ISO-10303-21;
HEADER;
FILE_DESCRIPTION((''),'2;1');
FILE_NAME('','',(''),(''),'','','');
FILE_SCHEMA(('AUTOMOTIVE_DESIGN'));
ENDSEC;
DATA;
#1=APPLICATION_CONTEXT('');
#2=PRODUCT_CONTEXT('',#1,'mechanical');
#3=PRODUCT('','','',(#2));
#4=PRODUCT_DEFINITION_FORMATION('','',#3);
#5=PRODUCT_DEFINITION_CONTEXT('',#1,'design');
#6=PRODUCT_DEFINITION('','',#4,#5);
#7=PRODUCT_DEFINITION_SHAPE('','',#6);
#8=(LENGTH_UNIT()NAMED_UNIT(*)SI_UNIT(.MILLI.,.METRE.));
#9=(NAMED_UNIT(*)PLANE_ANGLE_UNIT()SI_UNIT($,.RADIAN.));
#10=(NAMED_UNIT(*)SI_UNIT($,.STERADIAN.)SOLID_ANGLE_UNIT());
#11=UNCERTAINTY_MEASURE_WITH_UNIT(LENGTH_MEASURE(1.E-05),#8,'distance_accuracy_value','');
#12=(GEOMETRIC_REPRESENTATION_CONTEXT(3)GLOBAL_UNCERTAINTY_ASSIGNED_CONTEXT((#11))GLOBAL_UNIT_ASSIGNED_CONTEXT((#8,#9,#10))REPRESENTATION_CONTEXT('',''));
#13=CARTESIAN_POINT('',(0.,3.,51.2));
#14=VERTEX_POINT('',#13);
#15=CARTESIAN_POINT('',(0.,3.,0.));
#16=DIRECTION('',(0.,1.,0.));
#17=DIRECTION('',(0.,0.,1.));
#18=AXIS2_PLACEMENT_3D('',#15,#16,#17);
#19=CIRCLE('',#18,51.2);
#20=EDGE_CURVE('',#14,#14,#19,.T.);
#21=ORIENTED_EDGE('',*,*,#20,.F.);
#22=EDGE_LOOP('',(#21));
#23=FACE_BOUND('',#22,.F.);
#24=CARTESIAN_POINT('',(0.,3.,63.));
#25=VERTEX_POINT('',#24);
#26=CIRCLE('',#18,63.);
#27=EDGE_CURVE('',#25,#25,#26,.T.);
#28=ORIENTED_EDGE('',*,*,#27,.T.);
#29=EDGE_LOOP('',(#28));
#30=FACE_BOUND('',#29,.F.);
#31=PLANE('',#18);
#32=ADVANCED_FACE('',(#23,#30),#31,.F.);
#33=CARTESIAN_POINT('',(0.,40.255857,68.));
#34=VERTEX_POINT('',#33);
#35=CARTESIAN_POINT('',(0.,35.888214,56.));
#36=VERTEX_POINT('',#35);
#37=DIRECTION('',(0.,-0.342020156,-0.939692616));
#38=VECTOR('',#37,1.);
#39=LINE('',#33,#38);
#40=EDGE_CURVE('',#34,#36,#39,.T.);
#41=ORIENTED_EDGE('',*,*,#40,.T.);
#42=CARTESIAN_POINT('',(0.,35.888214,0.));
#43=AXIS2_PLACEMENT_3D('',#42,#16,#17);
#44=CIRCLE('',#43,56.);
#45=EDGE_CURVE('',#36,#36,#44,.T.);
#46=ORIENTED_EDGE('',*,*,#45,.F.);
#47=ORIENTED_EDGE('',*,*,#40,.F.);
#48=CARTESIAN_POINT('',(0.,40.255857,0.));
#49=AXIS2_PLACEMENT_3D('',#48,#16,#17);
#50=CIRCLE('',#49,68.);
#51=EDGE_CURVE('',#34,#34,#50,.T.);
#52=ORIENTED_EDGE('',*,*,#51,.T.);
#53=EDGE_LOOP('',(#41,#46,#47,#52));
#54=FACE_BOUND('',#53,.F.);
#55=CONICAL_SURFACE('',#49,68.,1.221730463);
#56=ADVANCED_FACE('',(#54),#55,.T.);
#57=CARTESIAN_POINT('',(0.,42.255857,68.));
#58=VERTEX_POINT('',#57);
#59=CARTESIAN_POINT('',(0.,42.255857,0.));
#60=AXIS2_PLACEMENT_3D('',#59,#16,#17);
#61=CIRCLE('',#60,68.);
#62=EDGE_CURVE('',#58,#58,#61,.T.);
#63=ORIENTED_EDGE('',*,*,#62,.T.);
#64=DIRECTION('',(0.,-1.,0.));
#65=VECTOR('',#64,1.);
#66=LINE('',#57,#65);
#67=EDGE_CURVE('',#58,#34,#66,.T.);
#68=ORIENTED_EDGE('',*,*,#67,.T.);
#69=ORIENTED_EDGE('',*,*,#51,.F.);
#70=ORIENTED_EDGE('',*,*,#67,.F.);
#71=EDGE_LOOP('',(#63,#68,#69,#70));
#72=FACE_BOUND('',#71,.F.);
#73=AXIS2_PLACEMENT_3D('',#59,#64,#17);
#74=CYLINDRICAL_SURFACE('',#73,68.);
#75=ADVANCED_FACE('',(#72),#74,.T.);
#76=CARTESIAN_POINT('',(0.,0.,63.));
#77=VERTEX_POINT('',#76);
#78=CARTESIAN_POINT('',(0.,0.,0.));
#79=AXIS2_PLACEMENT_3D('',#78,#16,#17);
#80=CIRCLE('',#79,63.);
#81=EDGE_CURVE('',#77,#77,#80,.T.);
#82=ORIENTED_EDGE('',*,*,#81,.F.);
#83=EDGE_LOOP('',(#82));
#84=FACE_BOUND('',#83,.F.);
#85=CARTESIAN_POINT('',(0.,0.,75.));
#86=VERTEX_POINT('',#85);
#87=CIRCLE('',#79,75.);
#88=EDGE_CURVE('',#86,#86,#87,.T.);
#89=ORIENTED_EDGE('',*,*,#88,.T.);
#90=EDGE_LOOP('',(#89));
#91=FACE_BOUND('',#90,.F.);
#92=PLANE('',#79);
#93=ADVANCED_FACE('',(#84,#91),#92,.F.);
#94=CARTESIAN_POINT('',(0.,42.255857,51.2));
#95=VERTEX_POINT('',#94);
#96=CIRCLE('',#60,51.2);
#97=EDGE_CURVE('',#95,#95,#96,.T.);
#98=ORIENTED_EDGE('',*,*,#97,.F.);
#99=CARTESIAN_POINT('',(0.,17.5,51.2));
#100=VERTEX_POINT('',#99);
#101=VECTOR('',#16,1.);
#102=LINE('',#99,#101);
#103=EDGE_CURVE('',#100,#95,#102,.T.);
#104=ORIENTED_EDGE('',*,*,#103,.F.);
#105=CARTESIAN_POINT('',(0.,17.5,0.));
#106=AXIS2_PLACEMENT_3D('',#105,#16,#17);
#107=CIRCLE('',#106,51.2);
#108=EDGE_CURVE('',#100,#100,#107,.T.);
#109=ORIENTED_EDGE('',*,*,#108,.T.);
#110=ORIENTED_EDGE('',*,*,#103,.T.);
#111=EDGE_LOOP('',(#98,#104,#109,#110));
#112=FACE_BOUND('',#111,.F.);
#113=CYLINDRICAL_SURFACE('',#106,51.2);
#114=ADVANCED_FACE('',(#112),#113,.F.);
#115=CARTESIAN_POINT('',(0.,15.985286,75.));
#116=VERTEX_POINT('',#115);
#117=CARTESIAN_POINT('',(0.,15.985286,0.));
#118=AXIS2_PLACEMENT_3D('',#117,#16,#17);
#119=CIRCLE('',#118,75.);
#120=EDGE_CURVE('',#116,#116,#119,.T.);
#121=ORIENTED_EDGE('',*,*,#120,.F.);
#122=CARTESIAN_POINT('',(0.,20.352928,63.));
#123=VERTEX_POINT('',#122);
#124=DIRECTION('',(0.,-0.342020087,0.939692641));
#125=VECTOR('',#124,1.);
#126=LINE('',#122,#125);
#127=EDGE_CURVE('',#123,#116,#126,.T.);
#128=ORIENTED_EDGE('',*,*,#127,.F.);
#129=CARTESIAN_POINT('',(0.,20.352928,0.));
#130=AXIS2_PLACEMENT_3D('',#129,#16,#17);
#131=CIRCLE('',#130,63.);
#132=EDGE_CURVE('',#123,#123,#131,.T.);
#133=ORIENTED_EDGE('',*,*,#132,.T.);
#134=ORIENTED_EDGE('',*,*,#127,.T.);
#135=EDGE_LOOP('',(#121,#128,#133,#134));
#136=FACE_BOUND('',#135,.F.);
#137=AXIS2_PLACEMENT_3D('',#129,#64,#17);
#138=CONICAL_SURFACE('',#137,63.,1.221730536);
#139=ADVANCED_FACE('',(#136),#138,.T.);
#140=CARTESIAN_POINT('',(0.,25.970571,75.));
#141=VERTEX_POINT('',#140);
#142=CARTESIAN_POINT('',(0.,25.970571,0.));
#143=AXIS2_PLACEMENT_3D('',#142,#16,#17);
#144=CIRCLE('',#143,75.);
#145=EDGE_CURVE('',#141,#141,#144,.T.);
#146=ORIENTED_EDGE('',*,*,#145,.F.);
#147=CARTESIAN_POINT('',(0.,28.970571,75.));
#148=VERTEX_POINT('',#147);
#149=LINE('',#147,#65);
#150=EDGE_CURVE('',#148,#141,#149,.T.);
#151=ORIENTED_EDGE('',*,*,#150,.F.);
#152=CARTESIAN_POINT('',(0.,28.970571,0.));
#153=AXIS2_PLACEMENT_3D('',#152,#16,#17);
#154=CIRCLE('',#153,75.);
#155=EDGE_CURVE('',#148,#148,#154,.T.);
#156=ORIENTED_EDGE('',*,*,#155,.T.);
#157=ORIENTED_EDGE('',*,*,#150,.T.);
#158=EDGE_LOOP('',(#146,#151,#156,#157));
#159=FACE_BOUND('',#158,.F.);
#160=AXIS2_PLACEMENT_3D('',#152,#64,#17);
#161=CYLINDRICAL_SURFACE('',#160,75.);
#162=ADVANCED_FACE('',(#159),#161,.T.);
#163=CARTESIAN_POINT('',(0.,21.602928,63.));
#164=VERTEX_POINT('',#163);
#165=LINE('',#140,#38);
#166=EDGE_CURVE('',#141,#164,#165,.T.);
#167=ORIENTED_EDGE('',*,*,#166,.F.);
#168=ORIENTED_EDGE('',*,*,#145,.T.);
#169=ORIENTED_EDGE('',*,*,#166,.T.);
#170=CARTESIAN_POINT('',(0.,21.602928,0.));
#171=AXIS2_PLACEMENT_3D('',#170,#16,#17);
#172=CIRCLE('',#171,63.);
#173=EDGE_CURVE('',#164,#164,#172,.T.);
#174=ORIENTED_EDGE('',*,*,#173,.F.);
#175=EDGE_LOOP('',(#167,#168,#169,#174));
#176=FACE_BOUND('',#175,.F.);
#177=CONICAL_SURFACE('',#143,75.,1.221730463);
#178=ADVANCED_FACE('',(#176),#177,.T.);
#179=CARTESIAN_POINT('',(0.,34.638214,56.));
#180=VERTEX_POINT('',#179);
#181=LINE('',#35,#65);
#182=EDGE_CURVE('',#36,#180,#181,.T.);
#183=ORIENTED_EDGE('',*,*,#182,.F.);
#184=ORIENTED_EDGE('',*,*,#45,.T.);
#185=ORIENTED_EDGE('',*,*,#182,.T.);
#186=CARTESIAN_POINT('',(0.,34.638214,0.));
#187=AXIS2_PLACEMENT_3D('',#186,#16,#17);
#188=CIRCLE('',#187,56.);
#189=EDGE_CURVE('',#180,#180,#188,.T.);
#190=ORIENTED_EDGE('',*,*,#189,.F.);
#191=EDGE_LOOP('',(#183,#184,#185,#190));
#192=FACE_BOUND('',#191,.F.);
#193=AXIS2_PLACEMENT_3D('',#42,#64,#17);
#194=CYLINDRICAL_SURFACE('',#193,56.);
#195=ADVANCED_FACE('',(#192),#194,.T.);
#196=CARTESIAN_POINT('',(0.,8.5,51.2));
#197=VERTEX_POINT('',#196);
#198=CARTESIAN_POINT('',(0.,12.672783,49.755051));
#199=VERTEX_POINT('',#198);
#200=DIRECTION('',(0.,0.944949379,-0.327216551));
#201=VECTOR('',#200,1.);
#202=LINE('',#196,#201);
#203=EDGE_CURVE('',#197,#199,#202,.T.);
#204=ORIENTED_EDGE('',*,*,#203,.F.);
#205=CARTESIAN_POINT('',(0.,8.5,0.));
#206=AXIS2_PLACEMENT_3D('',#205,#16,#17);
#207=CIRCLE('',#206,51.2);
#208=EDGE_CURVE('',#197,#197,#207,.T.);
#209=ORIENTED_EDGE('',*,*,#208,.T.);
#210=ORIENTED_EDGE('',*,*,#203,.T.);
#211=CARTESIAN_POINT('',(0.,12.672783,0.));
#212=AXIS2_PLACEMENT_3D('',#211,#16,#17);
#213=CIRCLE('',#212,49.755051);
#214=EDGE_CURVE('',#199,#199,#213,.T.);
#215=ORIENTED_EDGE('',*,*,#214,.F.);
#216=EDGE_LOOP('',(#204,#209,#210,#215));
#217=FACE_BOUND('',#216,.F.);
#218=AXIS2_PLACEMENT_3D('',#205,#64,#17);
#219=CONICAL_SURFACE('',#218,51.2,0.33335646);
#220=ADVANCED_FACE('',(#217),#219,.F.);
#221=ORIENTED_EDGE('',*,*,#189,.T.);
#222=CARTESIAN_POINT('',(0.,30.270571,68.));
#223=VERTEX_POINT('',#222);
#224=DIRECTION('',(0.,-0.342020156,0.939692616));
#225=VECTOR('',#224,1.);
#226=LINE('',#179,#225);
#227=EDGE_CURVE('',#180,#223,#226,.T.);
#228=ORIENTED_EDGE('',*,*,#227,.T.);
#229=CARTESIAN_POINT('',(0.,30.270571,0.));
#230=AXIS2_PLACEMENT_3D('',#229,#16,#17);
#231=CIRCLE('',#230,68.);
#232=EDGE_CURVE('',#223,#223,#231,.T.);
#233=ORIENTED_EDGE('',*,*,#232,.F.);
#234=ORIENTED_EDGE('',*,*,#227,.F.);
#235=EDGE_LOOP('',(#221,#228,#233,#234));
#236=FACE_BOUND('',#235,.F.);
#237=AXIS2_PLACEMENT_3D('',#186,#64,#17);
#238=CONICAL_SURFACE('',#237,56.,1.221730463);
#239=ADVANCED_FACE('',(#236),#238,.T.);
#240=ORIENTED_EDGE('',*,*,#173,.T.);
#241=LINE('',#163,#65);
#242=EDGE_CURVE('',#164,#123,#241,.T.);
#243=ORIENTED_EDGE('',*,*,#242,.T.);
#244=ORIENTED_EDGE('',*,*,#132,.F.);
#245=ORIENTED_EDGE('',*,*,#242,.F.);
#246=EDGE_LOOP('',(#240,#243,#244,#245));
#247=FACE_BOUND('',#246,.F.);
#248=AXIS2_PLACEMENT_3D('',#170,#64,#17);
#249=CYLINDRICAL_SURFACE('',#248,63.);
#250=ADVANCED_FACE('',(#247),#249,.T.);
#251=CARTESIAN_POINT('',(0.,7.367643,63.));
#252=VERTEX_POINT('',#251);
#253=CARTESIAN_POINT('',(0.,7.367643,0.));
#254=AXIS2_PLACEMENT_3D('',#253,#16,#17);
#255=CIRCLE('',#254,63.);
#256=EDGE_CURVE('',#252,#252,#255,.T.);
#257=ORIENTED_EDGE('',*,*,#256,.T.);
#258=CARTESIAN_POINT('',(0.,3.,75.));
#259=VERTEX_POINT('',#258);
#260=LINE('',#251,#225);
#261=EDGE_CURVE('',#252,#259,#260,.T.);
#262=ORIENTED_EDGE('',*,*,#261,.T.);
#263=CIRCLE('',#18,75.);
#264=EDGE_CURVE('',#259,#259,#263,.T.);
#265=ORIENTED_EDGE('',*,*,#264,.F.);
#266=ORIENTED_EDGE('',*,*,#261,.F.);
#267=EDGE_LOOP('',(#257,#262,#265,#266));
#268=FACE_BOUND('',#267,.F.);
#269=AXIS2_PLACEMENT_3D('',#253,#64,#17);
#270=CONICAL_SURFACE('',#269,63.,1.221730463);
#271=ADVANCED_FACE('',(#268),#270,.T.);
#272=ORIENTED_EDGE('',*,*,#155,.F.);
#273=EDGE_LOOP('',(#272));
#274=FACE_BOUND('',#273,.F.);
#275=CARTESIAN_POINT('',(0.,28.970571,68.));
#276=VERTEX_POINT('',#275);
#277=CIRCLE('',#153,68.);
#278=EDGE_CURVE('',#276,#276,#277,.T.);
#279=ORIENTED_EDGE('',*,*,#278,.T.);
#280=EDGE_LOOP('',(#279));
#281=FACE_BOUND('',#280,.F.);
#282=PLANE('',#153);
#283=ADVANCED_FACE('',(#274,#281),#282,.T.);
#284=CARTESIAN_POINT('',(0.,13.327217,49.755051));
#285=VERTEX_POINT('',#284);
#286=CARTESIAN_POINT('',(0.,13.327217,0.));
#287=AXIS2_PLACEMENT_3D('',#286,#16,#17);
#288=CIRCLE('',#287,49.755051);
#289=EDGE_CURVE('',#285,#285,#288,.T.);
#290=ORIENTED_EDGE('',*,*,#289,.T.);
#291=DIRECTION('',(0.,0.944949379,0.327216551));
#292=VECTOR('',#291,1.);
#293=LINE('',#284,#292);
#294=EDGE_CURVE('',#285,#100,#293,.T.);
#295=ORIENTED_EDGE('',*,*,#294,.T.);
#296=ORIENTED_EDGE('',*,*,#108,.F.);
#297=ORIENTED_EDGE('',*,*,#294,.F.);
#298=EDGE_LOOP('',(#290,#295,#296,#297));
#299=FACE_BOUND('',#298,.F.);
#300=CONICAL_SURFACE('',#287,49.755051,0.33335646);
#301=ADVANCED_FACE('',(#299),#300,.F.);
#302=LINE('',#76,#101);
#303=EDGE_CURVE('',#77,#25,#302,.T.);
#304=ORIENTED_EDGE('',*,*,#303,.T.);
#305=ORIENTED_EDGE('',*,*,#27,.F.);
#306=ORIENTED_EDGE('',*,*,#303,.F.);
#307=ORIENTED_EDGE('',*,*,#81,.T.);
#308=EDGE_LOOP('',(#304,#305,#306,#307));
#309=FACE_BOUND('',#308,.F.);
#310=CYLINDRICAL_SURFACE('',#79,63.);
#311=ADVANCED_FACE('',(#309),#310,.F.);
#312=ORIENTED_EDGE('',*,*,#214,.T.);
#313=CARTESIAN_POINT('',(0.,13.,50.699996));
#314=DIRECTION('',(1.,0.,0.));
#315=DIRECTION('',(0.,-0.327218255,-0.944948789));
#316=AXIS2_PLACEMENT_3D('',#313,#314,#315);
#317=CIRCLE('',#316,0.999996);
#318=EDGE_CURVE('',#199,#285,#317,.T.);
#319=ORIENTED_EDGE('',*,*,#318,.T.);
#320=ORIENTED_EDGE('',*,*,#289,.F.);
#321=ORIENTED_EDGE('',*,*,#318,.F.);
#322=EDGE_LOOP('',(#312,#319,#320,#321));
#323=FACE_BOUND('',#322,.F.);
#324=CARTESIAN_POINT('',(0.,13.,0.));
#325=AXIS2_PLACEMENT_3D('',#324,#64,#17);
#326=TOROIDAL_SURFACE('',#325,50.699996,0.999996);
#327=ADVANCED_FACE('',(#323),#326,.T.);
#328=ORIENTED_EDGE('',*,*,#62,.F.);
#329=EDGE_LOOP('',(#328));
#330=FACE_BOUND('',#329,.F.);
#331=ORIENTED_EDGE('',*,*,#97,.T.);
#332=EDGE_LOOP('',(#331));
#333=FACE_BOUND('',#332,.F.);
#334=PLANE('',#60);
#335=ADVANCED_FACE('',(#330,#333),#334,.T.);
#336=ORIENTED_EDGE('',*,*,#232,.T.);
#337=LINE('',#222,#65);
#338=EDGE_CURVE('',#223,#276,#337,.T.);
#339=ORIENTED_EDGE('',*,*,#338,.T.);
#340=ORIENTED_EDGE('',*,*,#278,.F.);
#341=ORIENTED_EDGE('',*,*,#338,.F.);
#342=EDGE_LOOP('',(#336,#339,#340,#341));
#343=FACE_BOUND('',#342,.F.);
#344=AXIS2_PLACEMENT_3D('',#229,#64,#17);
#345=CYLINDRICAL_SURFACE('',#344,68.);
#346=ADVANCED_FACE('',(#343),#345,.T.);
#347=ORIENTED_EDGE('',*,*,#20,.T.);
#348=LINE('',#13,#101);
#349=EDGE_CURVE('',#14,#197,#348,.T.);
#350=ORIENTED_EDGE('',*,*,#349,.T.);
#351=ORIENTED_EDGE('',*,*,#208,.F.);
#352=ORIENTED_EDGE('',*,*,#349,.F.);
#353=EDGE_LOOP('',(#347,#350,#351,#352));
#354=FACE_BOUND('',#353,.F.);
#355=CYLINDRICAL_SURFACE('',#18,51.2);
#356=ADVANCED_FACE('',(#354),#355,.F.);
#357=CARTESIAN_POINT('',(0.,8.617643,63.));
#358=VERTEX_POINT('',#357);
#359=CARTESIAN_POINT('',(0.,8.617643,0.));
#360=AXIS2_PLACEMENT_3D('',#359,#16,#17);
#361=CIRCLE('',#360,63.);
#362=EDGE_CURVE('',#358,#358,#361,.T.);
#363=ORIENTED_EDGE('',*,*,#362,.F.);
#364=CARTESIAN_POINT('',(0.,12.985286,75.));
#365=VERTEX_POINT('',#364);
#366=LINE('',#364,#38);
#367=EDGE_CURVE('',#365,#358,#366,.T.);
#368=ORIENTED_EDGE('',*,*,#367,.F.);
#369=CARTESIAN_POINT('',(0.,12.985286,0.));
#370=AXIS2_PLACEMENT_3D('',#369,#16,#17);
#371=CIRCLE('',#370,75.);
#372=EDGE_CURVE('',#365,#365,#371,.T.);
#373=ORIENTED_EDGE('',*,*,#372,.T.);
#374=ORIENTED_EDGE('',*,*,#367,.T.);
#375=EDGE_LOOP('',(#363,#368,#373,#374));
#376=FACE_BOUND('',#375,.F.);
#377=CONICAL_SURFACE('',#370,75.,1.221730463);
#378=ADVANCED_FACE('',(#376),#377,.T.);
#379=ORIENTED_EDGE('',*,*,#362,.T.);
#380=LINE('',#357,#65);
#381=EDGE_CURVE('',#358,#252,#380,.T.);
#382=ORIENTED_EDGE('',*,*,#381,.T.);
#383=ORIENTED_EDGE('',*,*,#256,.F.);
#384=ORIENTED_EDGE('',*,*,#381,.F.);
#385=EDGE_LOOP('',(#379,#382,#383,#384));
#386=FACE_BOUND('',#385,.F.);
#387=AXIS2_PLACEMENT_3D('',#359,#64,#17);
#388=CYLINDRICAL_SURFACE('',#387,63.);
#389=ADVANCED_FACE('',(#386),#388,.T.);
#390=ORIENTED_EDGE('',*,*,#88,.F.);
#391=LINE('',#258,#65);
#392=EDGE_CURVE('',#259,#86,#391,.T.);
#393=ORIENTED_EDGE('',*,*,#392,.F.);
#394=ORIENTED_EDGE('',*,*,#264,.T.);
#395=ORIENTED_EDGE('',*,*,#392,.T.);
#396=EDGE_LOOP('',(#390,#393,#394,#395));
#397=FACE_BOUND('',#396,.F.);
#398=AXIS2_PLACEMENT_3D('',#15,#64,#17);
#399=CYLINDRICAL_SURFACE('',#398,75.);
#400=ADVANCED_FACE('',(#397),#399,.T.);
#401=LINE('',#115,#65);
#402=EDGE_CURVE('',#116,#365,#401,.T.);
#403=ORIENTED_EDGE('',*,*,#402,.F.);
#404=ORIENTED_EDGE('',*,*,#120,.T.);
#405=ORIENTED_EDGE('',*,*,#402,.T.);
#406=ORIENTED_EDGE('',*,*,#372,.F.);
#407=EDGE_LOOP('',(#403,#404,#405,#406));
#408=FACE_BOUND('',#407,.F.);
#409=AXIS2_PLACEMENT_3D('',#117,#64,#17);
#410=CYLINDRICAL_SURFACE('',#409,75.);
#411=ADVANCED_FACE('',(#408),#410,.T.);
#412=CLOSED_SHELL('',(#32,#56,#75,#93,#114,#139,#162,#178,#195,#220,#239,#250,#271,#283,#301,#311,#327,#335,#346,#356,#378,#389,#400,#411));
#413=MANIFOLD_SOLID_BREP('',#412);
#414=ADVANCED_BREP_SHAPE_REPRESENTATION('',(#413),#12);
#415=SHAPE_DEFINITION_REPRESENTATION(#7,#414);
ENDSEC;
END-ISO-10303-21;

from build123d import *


with BuildPart() as f1:
    # F0 (on Right) → F1 (revolve)
    with BuildSketch(Plane.YZ):
        with BuildLine():
            Line((3, 63), (3, 51.2))
            Line((3, 51.2), (8.5, 51.2))
            Line((8.5, 51.2), (12.672783, 49.755051))
            ThreePointArc((12.672783, 49.755051), (13, 49.7), (13.327217, 49.755051))
            Line((13.327217, 49.755051), (17.5, 51.2))
            Line((17.5, 51.2), (42.255857, 51.2))
            Line((42.255857, 51.2), (42.255857, 68))
            Line((42.255857, 68), (40.255857, 68))
            Line((40.255857, 68), (35.888214, 56))
            Line((35.888214, 56), (34.638214, 56))
            Line((34.638214, 56), (30.270571, 68))
            Line((30.270571, 68), (28.970571, 68))
            Line((28.970571, 68), (28.970571, 75))
            Line((28.970571, 75), (25.970571, 75))
            Line((25.970571, 75), (21.602928, 63))
            Line((21.602928, 63), (20.352928, 63))
            Line((20.352928, 63), (15.985286, 75))
            Line((15.985286, 75), (12.985286, 75))
            Line((12.985286, 75), (8.617643, 63))
            Line((8.617643, 63), (7.367643, 63))
            Line((7.367643, 63), (3, 75))
            Line((3, 75), (0, 75))
            Line((0, 75), (0, 63))
            Line((0, 63), (3, 63))
        make_face()
    revolve(axis=Axis((0, 21.127928, 0), (0, 1, 0)))


solid = f1.part
